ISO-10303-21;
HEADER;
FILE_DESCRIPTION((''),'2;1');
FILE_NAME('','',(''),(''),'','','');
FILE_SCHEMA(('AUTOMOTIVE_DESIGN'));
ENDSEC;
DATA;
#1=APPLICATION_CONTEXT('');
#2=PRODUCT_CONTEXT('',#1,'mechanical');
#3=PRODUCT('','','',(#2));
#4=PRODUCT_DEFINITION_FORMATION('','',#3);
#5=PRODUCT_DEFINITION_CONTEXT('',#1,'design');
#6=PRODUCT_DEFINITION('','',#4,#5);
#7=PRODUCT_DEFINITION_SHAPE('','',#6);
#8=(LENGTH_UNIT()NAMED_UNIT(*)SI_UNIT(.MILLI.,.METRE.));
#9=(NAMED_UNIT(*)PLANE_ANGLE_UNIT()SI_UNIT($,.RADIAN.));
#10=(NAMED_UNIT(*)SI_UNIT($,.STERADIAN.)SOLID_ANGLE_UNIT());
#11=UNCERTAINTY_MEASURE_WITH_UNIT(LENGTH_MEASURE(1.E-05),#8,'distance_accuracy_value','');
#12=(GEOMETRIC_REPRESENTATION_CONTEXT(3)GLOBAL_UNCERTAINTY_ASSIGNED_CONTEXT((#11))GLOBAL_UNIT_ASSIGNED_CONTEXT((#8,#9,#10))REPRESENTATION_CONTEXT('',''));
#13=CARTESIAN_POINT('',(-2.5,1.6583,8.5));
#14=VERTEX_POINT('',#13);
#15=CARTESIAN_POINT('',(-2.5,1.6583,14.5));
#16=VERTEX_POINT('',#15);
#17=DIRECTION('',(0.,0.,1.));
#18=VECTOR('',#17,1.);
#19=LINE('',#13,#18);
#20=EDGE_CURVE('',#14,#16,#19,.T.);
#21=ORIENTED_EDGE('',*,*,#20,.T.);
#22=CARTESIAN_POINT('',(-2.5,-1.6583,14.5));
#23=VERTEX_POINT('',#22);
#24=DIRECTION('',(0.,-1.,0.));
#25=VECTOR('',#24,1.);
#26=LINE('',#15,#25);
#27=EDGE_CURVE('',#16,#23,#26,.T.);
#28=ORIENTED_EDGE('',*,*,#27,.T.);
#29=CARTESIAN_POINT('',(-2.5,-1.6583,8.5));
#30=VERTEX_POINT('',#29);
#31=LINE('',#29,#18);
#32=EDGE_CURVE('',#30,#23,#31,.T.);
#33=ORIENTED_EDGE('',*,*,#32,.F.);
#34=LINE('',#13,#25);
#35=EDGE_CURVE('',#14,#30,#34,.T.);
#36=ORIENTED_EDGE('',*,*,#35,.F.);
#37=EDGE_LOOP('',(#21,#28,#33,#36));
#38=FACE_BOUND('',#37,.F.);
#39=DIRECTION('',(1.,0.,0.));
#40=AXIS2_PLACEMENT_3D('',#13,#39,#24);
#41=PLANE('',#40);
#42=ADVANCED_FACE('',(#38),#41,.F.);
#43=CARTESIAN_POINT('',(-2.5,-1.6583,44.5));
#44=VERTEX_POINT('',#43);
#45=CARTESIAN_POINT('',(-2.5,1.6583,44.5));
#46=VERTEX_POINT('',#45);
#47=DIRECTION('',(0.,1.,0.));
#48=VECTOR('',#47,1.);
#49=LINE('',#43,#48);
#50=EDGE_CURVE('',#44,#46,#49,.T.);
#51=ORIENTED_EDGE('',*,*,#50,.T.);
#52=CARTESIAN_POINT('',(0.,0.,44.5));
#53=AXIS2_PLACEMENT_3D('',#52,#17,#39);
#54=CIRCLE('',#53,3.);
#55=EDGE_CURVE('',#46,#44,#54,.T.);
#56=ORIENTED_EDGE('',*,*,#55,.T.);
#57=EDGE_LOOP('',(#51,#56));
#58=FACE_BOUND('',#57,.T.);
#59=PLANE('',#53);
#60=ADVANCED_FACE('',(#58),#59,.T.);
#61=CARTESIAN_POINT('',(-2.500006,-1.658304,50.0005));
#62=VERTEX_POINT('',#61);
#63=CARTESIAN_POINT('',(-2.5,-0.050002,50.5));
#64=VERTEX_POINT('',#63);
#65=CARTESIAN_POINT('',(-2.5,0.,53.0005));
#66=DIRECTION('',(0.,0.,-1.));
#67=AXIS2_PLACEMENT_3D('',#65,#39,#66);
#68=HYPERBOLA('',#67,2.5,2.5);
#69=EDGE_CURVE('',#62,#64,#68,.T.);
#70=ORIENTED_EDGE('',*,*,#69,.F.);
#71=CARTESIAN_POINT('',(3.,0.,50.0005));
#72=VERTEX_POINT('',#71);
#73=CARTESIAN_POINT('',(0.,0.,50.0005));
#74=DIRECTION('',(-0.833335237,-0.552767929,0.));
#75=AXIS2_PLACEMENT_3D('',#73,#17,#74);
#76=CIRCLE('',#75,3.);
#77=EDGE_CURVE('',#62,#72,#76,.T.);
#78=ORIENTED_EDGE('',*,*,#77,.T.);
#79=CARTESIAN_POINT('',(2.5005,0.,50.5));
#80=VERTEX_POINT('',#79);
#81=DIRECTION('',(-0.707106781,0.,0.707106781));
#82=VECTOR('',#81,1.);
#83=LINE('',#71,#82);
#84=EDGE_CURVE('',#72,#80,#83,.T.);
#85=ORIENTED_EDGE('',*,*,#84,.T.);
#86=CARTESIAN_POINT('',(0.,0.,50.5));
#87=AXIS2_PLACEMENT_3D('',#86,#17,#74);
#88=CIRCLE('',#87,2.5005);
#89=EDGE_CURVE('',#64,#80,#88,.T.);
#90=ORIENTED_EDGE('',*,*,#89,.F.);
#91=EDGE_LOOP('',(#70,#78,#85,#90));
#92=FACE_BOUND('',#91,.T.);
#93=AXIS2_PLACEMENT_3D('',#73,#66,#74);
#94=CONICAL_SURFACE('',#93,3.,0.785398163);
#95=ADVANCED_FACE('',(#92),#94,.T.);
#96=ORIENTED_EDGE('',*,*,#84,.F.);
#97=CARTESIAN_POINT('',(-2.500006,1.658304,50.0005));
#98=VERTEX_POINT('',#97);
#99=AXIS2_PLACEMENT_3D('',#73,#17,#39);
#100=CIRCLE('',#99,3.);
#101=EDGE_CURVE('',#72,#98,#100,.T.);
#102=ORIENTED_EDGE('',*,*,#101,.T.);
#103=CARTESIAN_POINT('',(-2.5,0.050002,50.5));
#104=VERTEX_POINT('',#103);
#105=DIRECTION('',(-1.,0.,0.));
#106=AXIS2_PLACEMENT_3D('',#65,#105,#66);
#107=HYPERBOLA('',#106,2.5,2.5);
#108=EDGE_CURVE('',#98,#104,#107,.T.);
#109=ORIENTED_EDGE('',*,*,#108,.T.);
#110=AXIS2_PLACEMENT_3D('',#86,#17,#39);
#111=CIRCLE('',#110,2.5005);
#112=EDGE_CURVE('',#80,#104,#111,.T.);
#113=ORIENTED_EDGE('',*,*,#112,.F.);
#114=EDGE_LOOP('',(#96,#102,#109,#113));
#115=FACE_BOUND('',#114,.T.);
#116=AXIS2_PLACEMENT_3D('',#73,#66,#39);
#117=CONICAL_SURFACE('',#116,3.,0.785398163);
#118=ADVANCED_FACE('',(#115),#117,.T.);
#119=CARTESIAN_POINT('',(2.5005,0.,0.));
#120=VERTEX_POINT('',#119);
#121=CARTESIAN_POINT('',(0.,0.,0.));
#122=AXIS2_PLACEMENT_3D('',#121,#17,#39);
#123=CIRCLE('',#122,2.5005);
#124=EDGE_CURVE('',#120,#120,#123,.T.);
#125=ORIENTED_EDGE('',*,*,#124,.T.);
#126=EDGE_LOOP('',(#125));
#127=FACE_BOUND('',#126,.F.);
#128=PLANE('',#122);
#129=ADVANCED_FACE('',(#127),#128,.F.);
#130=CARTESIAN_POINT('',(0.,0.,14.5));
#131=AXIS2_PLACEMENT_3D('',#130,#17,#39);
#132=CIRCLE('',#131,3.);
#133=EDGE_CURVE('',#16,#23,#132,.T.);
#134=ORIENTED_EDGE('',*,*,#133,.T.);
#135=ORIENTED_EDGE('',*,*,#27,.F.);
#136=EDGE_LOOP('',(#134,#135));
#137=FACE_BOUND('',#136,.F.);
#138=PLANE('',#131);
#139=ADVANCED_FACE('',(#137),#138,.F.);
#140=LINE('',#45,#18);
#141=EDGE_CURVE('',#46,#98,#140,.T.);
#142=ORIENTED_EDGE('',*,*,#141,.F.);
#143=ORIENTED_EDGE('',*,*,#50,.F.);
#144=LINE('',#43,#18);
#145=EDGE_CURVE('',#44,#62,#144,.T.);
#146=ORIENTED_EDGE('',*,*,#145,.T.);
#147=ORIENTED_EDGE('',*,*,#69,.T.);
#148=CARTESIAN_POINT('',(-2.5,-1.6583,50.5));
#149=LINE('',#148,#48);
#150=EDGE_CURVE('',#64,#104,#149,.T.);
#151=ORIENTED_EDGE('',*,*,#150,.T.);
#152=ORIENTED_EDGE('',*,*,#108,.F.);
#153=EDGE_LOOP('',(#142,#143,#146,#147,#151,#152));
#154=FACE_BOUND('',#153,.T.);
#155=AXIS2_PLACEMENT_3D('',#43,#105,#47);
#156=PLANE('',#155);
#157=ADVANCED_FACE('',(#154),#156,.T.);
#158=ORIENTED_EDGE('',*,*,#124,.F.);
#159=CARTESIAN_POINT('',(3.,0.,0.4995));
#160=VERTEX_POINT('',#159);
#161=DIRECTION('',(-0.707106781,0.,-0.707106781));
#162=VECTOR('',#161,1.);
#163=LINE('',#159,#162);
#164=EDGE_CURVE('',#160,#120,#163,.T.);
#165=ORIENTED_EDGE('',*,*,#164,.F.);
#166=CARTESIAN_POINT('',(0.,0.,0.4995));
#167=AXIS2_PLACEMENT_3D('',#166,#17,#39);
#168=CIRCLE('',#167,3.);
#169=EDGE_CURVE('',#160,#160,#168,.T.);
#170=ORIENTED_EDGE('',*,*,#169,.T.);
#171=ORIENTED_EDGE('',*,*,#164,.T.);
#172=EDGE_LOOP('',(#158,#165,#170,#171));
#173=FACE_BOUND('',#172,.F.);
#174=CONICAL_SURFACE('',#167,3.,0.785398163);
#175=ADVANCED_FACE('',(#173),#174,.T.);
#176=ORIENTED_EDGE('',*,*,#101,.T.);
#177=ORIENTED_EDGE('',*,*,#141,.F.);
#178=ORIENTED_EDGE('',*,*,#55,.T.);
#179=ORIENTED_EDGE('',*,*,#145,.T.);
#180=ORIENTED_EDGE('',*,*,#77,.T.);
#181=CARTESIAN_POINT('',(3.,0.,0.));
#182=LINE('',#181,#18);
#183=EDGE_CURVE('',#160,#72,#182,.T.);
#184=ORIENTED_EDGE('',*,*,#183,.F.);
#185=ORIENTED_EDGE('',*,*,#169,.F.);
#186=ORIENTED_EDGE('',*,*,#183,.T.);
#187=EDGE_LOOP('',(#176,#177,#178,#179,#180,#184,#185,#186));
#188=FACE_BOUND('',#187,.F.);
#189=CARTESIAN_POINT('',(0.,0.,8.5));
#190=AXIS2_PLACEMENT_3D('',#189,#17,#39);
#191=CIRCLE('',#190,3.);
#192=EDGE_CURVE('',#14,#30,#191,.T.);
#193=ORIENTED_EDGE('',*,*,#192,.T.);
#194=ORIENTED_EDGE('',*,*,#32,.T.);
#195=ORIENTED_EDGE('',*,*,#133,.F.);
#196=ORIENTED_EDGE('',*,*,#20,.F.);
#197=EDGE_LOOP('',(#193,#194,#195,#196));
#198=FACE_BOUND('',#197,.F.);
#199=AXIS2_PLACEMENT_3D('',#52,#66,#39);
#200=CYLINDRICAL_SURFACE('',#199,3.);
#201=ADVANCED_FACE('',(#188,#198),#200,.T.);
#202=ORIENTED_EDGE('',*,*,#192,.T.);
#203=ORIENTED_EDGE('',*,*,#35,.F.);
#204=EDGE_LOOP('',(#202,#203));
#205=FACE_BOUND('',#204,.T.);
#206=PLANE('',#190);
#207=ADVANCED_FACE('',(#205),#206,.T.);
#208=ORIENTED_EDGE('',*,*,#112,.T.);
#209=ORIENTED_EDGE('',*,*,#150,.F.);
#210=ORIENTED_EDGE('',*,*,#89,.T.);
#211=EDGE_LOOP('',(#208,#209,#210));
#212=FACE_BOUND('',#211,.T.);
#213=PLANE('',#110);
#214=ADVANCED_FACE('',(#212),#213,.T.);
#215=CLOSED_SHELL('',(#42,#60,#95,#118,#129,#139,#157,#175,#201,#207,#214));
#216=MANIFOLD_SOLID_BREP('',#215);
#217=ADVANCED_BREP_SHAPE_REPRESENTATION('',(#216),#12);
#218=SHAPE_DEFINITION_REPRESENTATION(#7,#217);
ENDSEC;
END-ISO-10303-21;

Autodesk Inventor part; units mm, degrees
ref_plane "YZ Plane" through (0, 0, 0) normal (1, 0, 0) x (0, 1, 0)
ref_plane "XZ Plane" through (0, 0, 0) normal (0, 1, 0) x (-1, 0, 0)
ref_plane "XY Plane" through (0, 0, 0) normal (0, 0, 1) x (1, 0, 0)
sketch "Skizze1" plane through (0, 0, 0) normal (0, 0, 1) x (1, 0, 0)
  circle A0 centre (0, 0) radius 3
  dimension "d0" = 6
extrude "Extrusion1" add sketch "Skizze1" along normal blind 8.5
sketch "Skizze2" plane through (0, 0, 8.5) normal (0, 0, 1) x (1, 0, 0)
  circle A0 centre (0, 0) radius 3 projected
  line L0 (-2.5, 1.6583) -> (-2.5, -1.6583)
  dimension "d3" = 2.5
extrude "Extrusion2" add sketch "Skizze2" along normal blind 6 contours A0 L0 picked at (-0.6667, 0)
sketch "Skizze3" plane through (0, 0, 14.5) normal (0, 0, 1) x (1, 0, 0)
  circle A0 centre (0, 0) radius 3 projected
extrude "Extrusion3" add sketch "Skizze3" along normal blind 30
sketch "Skizze4" plane through (0, 0, 44.5) normal (0, 0, 1) x (1, 0, 0)
  line L0 (-2.5, -1.6583) -> (-2.5, 1.6583) projected
  arc A0 (-2.5, 1.6583) -> (-2.5, -1.6583) centre (0, 0) ccw projected
  circle A1 centre (0, 0) radius 3 projected
extrude "Extrusion4" add sketch "Skizze4" along normal blind 6 contours L0 A1
chamfer "Fase1" distance 0.5 angle 45 3 edges at (-3, 0, 0) (0.866, -2.8723, 50.5) (0.866, 2.8723, 50.5)
properties part number "Welle_wrist" material "Edelstahl"
